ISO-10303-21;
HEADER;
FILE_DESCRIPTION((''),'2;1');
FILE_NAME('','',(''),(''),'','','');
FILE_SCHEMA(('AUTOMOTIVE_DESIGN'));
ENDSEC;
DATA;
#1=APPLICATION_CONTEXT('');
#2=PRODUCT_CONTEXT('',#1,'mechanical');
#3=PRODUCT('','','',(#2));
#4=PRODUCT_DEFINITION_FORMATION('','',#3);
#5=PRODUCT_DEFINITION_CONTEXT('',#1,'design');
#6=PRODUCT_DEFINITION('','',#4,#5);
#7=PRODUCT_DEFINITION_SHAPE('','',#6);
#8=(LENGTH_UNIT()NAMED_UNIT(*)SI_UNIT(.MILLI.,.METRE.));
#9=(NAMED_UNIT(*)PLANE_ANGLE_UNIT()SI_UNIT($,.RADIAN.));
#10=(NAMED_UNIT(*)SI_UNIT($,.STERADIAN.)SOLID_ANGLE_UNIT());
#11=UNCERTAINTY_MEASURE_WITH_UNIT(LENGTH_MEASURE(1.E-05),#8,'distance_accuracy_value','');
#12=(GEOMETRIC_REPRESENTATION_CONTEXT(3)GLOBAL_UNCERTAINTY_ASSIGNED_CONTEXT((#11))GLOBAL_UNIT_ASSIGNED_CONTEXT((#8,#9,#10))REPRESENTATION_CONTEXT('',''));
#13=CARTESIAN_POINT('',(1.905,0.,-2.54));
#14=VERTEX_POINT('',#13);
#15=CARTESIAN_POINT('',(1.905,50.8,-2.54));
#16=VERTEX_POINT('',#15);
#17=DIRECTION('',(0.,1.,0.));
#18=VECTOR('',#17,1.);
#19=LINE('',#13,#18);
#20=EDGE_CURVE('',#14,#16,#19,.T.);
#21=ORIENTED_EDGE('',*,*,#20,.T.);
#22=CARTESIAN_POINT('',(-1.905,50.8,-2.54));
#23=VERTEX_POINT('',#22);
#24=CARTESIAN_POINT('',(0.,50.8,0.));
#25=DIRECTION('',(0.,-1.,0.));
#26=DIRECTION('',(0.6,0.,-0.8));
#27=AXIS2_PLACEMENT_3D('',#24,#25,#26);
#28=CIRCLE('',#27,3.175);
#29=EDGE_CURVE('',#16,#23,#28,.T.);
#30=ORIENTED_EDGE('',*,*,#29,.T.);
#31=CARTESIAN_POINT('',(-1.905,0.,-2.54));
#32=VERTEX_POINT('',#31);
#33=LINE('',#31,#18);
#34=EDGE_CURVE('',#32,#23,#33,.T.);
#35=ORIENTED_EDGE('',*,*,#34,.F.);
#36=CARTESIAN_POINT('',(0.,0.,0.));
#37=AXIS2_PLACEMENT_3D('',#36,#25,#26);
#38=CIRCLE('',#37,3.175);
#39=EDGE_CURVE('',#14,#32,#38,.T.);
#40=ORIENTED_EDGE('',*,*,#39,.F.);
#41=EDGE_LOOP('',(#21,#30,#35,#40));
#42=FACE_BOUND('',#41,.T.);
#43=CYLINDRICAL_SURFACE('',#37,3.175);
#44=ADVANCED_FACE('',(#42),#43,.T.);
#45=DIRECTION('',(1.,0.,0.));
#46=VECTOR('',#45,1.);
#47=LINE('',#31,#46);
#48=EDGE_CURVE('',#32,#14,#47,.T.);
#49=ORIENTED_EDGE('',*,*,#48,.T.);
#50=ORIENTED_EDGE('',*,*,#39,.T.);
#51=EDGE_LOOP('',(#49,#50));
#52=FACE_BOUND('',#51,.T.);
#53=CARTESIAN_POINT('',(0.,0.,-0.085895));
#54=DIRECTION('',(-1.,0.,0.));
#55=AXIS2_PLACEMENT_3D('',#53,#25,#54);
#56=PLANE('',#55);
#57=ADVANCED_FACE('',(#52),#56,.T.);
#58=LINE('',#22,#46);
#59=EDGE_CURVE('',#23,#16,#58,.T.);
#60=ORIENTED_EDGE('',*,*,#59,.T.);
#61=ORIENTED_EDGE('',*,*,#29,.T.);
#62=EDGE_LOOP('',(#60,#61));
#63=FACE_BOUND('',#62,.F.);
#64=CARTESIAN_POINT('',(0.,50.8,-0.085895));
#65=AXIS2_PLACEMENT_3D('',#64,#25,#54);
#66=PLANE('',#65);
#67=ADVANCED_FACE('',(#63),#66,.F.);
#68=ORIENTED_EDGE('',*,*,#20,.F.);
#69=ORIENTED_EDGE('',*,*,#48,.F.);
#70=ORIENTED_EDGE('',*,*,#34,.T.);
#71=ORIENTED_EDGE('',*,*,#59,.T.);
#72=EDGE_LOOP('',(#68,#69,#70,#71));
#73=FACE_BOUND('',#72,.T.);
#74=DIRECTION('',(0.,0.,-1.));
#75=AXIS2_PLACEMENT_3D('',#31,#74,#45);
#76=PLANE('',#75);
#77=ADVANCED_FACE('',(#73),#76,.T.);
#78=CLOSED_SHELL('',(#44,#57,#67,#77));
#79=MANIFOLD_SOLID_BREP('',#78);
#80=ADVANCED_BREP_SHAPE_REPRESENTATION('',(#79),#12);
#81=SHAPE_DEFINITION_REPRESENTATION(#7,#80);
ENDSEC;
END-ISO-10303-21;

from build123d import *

# Parameters (mm, degrees)
BOSS_EXTRUDE1_DEPTH = 50.8


with BuildPart() as part:
    # Sketch1 → Boss-Extrude1 (new body)
    with BuildSketch(Plane(origin=(0, 0, 0), x_dir=(1, 0, 0), z_dir=(0, 1, 0))):
        with BuildLine():
            Line((-1.905, 2.54), (1.905, 2.54))
            ThreePointArc((1.905, 2.54), (0, -3.175), (-1.905, 2.54))
        make_face()
    extrude(amount=BOSS_EXTRUDE1_DEPTH)


solid = part.part
